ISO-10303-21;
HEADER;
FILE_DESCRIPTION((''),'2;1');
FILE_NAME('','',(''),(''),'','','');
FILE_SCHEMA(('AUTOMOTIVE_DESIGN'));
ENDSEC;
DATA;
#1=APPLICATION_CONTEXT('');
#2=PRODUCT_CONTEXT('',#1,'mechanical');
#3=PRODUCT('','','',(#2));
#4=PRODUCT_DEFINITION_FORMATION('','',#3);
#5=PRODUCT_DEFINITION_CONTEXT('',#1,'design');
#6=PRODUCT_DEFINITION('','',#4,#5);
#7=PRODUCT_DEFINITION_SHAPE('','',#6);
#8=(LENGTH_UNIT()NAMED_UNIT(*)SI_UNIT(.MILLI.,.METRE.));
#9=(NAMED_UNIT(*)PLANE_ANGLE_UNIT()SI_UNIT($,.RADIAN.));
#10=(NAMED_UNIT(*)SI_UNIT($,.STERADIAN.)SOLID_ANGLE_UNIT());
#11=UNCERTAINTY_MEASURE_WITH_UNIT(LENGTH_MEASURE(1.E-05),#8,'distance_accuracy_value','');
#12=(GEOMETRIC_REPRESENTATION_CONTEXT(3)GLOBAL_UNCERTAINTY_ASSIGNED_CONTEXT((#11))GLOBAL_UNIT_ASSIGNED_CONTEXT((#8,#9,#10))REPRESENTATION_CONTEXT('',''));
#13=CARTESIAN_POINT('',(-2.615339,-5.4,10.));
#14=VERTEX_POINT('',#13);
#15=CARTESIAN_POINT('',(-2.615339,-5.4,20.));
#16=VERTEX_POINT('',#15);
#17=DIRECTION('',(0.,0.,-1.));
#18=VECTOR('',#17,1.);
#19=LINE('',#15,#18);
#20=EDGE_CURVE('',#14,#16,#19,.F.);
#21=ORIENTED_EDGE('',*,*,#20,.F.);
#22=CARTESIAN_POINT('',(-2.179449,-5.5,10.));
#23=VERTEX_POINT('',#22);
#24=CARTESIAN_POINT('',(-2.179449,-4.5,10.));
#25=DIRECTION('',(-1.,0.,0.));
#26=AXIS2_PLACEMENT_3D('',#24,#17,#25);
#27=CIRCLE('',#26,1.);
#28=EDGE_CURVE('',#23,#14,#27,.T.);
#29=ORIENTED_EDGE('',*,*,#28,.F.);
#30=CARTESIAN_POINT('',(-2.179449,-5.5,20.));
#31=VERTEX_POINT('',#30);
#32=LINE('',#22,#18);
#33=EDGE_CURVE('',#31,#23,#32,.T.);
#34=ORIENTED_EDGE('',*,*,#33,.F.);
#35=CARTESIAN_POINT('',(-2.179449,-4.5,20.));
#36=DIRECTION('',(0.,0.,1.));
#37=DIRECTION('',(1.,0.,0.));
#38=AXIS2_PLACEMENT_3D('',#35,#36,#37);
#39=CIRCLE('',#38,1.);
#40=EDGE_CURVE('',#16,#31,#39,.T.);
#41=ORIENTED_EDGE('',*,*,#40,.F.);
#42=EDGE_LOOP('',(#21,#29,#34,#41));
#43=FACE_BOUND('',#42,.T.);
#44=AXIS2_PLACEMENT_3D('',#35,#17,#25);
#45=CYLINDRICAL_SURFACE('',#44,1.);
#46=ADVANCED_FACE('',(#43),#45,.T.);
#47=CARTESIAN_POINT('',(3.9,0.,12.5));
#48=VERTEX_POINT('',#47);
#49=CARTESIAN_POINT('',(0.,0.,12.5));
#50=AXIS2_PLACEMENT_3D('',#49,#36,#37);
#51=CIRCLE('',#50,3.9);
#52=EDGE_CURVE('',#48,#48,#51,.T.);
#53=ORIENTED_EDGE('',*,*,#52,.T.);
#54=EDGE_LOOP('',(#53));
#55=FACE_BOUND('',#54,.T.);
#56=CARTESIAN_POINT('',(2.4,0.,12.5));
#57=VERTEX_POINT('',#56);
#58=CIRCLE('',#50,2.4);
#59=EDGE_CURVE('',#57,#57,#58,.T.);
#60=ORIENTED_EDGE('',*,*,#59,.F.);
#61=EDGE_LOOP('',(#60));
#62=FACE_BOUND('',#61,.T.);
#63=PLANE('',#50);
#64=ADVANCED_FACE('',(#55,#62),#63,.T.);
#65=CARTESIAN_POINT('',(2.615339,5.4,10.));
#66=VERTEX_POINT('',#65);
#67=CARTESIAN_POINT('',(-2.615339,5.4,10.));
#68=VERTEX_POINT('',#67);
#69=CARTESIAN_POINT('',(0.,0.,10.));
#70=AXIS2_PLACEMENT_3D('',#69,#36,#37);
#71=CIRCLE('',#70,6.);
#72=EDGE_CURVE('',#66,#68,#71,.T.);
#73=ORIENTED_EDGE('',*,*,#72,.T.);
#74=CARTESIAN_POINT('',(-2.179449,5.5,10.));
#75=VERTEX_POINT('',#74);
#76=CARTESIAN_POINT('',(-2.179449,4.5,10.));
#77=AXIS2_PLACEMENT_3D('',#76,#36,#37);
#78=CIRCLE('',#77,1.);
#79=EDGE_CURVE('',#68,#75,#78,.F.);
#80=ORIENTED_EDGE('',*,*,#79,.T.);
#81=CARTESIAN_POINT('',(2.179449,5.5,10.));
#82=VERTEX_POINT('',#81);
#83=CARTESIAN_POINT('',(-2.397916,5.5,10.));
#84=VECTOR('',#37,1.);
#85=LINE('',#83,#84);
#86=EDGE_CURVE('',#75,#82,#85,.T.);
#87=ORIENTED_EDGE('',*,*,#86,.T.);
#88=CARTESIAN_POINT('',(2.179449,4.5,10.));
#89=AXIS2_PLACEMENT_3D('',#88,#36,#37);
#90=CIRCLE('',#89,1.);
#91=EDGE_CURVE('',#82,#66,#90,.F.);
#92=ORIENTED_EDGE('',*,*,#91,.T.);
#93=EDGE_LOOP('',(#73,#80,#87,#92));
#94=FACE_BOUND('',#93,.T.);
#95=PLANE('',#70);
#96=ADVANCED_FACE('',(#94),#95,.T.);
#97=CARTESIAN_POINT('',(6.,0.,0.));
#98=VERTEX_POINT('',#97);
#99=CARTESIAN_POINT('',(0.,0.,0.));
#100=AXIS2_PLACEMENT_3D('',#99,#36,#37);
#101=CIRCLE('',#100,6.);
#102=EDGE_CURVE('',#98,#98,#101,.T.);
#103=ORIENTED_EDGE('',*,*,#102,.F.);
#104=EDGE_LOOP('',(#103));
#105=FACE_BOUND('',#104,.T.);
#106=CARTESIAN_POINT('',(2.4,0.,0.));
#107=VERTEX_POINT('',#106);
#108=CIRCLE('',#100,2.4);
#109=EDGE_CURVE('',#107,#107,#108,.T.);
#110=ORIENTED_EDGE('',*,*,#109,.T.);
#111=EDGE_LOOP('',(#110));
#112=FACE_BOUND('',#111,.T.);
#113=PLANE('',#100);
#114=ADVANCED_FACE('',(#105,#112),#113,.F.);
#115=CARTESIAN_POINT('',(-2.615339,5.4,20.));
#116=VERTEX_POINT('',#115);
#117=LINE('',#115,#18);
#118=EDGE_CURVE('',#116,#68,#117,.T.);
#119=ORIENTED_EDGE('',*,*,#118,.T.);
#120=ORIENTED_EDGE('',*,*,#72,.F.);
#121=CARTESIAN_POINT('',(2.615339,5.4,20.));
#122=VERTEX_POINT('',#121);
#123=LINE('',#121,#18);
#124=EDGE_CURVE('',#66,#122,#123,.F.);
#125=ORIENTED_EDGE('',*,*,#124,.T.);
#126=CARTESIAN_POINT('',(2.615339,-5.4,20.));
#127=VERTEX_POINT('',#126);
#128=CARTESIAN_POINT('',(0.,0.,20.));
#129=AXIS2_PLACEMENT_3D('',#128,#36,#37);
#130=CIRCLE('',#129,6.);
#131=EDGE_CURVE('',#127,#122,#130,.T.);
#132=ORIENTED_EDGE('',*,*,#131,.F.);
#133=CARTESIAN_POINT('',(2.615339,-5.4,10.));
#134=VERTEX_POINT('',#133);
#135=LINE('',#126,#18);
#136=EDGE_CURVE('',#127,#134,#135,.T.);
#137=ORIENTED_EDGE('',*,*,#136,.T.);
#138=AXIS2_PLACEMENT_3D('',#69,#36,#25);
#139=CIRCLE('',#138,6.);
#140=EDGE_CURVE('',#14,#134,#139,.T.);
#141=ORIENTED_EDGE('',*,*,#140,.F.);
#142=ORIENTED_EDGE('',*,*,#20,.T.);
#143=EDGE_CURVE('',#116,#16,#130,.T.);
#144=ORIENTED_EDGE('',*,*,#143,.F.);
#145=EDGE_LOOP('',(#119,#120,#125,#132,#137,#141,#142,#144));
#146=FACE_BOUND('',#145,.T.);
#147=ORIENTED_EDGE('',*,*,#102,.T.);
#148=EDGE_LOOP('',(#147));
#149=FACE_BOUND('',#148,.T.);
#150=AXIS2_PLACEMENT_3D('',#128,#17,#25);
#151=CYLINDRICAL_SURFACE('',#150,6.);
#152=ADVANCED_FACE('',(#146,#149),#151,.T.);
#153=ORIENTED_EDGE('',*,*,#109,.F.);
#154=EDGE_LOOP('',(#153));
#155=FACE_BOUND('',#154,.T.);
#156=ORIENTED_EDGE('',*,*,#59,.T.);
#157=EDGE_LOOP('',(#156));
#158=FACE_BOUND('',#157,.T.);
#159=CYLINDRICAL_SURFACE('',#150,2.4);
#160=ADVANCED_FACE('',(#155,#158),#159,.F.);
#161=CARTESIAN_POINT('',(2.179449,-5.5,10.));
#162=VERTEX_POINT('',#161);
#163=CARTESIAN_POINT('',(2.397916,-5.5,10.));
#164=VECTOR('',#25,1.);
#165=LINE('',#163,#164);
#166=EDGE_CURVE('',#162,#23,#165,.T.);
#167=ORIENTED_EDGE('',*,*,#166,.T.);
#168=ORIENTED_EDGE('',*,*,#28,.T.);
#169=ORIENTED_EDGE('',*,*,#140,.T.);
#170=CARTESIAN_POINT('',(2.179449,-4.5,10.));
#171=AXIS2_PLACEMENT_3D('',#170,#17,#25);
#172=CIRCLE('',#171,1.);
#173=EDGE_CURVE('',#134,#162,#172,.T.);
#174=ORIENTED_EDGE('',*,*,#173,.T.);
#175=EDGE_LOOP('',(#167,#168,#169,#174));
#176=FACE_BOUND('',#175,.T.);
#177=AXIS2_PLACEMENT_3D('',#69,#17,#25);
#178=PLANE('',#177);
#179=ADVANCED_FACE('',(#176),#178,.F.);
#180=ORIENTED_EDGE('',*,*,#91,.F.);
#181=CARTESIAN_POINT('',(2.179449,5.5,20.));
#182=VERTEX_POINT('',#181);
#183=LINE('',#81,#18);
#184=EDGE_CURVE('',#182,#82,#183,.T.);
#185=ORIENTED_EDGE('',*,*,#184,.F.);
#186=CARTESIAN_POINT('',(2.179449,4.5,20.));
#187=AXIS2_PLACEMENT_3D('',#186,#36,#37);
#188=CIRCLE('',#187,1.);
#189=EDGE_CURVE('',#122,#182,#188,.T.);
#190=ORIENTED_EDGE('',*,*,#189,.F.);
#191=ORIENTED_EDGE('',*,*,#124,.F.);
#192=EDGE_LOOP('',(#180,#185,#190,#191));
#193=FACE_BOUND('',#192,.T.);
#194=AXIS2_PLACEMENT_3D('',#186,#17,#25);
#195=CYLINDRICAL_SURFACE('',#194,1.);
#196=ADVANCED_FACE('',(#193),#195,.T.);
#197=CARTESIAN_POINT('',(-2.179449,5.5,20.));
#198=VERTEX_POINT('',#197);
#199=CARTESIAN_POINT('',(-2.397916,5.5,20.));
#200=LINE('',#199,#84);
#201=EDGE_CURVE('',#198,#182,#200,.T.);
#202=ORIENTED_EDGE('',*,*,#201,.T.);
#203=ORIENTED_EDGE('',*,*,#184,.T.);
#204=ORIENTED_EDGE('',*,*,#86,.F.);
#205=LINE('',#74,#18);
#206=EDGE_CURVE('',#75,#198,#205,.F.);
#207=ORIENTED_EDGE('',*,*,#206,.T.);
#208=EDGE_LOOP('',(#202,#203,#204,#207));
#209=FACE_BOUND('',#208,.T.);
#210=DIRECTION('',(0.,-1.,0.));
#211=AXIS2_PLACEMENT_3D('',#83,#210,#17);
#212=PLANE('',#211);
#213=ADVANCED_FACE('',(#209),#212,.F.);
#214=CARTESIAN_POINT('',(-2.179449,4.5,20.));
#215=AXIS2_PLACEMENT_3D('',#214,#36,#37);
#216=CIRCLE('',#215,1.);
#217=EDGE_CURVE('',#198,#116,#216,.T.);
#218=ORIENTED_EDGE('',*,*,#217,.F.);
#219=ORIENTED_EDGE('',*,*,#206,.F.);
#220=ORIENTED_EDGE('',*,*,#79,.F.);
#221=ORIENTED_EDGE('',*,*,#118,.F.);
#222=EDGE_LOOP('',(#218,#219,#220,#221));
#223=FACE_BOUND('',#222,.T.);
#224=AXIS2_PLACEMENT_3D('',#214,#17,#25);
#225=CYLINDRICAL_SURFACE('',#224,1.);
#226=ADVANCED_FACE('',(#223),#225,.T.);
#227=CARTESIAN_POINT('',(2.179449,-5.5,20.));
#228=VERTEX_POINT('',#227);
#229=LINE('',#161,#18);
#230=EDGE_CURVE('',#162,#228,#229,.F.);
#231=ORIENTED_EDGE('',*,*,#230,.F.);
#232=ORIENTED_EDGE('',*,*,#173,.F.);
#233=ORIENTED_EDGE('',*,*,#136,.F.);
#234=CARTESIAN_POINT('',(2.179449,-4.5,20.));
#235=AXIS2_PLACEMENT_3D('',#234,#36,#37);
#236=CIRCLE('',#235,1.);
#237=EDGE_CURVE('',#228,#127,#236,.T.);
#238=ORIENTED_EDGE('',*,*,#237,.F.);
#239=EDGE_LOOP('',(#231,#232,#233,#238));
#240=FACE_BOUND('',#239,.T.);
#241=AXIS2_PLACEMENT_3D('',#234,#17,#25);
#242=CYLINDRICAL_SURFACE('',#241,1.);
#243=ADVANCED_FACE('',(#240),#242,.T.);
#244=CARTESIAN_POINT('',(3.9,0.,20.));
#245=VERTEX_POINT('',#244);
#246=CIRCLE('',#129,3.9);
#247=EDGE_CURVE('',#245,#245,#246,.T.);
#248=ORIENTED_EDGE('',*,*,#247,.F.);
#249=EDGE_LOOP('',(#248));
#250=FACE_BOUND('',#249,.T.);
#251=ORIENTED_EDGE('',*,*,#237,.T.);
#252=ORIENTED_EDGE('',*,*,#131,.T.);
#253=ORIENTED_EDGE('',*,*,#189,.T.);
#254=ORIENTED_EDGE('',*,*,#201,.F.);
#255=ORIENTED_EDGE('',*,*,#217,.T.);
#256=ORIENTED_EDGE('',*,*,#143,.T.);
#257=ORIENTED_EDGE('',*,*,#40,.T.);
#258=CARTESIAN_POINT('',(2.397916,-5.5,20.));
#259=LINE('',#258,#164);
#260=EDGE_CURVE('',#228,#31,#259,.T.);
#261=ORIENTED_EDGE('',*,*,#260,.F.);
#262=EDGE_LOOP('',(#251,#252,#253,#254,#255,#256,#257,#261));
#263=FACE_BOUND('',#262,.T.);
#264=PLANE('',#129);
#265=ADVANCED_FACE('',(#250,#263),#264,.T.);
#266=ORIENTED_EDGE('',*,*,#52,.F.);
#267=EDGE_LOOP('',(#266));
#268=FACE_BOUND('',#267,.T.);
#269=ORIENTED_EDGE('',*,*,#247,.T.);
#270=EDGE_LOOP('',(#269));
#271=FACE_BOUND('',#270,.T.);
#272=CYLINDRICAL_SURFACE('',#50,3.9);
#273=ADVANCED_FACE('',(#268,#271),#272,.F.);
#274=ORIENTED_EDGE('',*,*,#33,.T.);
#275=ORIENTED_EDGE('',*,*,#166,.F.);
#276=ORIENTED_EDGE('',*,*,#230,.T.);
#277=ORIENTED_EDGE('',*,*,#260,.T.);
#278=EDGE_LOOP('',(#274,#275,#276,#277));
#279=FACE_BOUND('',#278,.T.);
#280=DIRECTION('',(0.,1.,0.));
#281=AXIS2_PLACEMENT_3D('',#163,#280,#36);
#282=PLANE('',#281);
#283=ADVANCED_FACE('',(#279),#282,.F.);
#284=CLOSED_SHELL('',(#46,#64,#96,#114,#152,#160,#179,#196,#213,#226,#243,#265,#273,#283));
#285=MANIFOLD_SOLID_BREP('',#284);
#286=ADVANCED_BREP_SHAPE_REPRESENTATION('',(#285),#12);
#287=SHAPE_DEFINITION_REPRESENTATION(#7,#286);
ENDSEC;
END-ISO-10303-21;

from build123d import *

# Parameters (mm, degrees)
SKETCH1_R           = 6
SKETCH1_R_2         = 2.4
BOSS_EXTRUDE1_DEPTH = 20
SKETCH2_R           = 3.9
CUT_EXTRUDE1_DEPTH  = 7.5
CUT_EXTRUDE2_START  = -10
CUT_EXTRUDE2_DEPTH  = 10
FILLET1_R           = 1


with BuildPart() as part:
    # Sketch1 → Boss-Extrude1 (new body)
    with BuildSketch(Plane.XY):
        Circle(SKETCH1_R)
        Circle(SKETCH1_R_2, mode=Mode.SUBTRACT)
    extrude(amount=BOSS_EXTRUDE1_DEPTH)

    # Sketch2 → Cut-Extrude1 (cut)
    with BuildSketch(Plane.XY.offset(20)):
        Circle(SKETCH2_R)
    extrude(amount=-CUT_EXTRUDE1_DEPTH, mode=Mode.SUBTRACT)

    # Sketch4 → Cut-Extrude2 (cut)
    with BuildSketch(Plane.XY.offset(20).offset(CUT_EXTRUDE2_START)):
        with BuildLine():
            Line((-2.397915762, 5.5), (2.397915762, 5.5))
            ThreePointArc((2.397915762, 5.5), (0, 6), (-2.397915762, 5.5))
        make_face()
        with BuildLine():
            Line((2.397915762, -5.5), (-2.397915762, -5.5))
            ThreePointArc((-2.397915762, -5.5), (0, -6), (2.397915762, -5.5))
        make_face()
    extrude(amount=CUT_EXTRUDE2_DEPTH, mode=Mode.SUBTRACT)

    # Fillet1
    fillet1_edges = [part.edges().sort_by_distance(p)[0] for p in [
        (-2.397915762, 5.5, 15),
        (2.397915762, 5.5, 15),
        (2.397915762, -5.5, 15),
        (-2.397915762, -5.5, 15),
    ]]
    fillet(fillet1_edges, radius=FILLET1_R)


solid = part.part
